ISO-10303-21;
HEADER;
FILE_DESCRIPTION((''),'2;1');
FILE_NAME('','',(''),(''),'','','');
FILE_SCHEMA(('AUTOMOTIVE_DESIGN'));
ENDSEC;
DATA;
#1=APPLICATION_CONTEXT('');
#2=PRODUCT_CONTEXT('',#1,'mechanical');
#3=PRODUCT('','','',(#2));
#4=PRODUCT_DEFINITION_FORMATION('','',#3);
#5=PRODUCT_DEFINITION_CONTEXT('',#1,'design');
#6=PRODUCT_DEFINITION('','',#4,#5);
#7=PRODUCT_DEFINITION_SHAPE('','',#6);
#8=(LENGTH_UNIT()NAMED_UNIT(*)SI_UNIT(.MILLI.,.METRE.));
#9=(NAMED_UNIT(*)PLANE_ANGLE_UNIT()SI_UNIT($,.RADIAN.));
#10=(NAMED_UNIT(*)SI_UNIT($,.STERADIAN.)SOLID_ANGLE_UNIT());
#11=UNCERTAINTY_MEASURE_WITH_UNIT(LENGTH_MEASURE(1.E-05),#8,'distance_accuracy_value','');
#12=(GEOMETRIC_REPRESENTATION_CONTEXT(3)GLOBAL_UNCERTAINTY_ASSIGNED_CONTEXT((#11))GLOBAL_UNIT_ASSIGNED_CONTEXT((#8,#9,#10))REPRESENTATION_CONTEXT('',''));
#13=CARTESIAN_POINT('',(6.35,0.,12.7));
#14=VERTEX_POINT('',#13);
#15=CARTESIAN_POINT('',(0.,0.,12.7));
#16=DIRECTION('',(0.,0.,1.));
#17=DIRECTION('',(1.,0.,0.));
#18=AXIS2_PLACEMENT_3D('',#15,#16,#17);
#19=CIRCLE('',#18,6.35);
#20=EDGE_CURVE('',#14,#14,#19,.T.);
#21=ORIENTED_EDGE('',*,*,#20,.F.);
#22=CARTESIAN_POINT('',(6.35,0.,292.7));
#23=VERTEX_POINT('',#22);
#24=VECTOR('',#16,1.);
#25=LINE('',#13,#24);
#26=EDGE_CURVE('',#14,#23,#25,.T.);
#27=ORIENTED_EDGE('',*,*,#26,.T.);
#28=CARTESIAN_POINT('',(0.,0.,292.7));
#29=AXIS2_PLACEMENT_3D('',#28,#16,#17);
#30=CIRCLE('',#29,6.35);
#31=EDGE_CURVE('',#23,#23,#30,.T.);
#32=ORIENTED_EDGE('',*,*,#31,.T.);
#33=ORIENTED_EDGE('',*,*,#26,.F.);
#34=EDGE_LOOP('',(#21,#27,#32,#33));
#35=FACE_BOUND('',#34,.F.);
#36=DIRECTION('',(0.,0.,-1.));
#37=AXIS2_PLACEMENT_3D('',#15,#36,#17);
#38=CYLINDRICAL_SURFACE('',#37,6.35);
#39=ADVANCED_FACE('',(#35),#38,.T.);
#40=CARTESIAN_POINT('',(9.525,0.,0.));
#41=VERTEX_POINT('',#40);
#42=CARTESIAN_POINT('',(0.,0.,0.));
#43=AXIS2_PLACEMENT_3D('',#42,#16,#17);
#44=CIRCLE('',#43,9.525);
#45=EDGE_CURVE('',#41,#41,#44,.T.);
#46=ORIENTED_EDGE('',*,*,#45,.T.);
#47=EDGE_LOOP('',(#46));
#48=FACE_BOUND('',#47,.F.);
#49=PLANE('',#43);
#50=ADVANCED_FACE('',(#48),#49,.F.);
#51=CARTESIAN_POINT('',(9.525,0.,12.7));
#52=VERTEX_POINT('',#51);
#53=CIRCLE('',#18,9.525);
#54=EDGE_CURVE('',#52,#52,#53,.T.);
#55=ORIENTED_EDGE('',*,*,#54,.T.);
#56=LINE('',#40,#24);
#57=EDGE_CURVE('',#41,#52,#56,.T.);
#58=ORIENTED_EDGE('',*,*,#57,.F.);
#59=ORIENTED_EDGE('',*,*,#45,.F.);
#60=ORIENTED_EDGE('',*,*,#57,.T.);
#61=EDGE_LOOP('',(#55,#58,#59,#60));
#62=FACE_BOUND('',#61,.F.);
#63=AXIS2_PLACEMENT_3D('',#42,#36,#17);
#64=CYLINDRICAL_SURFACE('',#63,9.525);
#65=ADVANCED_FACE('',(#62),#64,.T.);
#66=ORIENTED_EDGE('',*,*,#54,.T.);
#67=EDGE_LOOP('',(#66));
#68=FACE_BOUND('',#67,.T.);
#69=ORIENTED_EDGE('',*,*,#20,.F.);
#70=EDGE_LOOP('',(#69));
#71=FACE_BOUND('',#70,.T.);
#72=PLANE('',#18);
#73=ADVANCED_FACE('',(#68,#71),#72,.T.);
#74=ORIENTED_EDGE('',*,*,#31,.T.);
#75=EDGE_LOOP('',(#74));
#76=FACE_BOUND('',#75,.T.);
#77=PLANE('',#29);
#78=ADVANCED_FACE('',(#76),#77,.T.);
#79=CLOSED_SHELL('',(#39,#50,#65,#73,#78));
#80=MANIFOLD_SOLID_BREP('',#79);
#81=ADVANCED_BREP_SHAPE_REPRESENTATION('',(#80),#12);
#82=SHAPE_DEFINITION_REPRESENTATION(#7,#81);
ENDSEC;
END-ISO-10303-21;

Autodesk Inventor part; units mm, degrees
ref_plane "YZ Plane" through (0, 0, 0) normal (1, 0, 0) x (0, 1, 0)
ref_plane "XZ Plane" through (0, 0, 0) normal (0, 1, 0) x (-1, 0, 0)
ref_plane "XY Plane" through (0, 0, 0) normal (0, 0, 1) x (1, 0, 0)
sketch "Sketch1" plane through (0, 0, 0) normal (0, 0, 1) x (1, 0, 0)
  circle A0 centre (0, 0) radius 9.525
  dimension "d0" = 19.05
extrude "Extrusion1" add sketch "Sketch1" along normal blind 12.7
sketch "Sketch2" plane through (0, 0, 12.7) normal (0, 0, 1) x (1, 0, 0)
  circle A0 centre (0, 0) radius 6.35
  dimension "d3" = 12.7
extrude "Extrusion2" add sketch "Sketch2" along normal blind 280
properties part number "1-2in_13tpi x 8 in"
